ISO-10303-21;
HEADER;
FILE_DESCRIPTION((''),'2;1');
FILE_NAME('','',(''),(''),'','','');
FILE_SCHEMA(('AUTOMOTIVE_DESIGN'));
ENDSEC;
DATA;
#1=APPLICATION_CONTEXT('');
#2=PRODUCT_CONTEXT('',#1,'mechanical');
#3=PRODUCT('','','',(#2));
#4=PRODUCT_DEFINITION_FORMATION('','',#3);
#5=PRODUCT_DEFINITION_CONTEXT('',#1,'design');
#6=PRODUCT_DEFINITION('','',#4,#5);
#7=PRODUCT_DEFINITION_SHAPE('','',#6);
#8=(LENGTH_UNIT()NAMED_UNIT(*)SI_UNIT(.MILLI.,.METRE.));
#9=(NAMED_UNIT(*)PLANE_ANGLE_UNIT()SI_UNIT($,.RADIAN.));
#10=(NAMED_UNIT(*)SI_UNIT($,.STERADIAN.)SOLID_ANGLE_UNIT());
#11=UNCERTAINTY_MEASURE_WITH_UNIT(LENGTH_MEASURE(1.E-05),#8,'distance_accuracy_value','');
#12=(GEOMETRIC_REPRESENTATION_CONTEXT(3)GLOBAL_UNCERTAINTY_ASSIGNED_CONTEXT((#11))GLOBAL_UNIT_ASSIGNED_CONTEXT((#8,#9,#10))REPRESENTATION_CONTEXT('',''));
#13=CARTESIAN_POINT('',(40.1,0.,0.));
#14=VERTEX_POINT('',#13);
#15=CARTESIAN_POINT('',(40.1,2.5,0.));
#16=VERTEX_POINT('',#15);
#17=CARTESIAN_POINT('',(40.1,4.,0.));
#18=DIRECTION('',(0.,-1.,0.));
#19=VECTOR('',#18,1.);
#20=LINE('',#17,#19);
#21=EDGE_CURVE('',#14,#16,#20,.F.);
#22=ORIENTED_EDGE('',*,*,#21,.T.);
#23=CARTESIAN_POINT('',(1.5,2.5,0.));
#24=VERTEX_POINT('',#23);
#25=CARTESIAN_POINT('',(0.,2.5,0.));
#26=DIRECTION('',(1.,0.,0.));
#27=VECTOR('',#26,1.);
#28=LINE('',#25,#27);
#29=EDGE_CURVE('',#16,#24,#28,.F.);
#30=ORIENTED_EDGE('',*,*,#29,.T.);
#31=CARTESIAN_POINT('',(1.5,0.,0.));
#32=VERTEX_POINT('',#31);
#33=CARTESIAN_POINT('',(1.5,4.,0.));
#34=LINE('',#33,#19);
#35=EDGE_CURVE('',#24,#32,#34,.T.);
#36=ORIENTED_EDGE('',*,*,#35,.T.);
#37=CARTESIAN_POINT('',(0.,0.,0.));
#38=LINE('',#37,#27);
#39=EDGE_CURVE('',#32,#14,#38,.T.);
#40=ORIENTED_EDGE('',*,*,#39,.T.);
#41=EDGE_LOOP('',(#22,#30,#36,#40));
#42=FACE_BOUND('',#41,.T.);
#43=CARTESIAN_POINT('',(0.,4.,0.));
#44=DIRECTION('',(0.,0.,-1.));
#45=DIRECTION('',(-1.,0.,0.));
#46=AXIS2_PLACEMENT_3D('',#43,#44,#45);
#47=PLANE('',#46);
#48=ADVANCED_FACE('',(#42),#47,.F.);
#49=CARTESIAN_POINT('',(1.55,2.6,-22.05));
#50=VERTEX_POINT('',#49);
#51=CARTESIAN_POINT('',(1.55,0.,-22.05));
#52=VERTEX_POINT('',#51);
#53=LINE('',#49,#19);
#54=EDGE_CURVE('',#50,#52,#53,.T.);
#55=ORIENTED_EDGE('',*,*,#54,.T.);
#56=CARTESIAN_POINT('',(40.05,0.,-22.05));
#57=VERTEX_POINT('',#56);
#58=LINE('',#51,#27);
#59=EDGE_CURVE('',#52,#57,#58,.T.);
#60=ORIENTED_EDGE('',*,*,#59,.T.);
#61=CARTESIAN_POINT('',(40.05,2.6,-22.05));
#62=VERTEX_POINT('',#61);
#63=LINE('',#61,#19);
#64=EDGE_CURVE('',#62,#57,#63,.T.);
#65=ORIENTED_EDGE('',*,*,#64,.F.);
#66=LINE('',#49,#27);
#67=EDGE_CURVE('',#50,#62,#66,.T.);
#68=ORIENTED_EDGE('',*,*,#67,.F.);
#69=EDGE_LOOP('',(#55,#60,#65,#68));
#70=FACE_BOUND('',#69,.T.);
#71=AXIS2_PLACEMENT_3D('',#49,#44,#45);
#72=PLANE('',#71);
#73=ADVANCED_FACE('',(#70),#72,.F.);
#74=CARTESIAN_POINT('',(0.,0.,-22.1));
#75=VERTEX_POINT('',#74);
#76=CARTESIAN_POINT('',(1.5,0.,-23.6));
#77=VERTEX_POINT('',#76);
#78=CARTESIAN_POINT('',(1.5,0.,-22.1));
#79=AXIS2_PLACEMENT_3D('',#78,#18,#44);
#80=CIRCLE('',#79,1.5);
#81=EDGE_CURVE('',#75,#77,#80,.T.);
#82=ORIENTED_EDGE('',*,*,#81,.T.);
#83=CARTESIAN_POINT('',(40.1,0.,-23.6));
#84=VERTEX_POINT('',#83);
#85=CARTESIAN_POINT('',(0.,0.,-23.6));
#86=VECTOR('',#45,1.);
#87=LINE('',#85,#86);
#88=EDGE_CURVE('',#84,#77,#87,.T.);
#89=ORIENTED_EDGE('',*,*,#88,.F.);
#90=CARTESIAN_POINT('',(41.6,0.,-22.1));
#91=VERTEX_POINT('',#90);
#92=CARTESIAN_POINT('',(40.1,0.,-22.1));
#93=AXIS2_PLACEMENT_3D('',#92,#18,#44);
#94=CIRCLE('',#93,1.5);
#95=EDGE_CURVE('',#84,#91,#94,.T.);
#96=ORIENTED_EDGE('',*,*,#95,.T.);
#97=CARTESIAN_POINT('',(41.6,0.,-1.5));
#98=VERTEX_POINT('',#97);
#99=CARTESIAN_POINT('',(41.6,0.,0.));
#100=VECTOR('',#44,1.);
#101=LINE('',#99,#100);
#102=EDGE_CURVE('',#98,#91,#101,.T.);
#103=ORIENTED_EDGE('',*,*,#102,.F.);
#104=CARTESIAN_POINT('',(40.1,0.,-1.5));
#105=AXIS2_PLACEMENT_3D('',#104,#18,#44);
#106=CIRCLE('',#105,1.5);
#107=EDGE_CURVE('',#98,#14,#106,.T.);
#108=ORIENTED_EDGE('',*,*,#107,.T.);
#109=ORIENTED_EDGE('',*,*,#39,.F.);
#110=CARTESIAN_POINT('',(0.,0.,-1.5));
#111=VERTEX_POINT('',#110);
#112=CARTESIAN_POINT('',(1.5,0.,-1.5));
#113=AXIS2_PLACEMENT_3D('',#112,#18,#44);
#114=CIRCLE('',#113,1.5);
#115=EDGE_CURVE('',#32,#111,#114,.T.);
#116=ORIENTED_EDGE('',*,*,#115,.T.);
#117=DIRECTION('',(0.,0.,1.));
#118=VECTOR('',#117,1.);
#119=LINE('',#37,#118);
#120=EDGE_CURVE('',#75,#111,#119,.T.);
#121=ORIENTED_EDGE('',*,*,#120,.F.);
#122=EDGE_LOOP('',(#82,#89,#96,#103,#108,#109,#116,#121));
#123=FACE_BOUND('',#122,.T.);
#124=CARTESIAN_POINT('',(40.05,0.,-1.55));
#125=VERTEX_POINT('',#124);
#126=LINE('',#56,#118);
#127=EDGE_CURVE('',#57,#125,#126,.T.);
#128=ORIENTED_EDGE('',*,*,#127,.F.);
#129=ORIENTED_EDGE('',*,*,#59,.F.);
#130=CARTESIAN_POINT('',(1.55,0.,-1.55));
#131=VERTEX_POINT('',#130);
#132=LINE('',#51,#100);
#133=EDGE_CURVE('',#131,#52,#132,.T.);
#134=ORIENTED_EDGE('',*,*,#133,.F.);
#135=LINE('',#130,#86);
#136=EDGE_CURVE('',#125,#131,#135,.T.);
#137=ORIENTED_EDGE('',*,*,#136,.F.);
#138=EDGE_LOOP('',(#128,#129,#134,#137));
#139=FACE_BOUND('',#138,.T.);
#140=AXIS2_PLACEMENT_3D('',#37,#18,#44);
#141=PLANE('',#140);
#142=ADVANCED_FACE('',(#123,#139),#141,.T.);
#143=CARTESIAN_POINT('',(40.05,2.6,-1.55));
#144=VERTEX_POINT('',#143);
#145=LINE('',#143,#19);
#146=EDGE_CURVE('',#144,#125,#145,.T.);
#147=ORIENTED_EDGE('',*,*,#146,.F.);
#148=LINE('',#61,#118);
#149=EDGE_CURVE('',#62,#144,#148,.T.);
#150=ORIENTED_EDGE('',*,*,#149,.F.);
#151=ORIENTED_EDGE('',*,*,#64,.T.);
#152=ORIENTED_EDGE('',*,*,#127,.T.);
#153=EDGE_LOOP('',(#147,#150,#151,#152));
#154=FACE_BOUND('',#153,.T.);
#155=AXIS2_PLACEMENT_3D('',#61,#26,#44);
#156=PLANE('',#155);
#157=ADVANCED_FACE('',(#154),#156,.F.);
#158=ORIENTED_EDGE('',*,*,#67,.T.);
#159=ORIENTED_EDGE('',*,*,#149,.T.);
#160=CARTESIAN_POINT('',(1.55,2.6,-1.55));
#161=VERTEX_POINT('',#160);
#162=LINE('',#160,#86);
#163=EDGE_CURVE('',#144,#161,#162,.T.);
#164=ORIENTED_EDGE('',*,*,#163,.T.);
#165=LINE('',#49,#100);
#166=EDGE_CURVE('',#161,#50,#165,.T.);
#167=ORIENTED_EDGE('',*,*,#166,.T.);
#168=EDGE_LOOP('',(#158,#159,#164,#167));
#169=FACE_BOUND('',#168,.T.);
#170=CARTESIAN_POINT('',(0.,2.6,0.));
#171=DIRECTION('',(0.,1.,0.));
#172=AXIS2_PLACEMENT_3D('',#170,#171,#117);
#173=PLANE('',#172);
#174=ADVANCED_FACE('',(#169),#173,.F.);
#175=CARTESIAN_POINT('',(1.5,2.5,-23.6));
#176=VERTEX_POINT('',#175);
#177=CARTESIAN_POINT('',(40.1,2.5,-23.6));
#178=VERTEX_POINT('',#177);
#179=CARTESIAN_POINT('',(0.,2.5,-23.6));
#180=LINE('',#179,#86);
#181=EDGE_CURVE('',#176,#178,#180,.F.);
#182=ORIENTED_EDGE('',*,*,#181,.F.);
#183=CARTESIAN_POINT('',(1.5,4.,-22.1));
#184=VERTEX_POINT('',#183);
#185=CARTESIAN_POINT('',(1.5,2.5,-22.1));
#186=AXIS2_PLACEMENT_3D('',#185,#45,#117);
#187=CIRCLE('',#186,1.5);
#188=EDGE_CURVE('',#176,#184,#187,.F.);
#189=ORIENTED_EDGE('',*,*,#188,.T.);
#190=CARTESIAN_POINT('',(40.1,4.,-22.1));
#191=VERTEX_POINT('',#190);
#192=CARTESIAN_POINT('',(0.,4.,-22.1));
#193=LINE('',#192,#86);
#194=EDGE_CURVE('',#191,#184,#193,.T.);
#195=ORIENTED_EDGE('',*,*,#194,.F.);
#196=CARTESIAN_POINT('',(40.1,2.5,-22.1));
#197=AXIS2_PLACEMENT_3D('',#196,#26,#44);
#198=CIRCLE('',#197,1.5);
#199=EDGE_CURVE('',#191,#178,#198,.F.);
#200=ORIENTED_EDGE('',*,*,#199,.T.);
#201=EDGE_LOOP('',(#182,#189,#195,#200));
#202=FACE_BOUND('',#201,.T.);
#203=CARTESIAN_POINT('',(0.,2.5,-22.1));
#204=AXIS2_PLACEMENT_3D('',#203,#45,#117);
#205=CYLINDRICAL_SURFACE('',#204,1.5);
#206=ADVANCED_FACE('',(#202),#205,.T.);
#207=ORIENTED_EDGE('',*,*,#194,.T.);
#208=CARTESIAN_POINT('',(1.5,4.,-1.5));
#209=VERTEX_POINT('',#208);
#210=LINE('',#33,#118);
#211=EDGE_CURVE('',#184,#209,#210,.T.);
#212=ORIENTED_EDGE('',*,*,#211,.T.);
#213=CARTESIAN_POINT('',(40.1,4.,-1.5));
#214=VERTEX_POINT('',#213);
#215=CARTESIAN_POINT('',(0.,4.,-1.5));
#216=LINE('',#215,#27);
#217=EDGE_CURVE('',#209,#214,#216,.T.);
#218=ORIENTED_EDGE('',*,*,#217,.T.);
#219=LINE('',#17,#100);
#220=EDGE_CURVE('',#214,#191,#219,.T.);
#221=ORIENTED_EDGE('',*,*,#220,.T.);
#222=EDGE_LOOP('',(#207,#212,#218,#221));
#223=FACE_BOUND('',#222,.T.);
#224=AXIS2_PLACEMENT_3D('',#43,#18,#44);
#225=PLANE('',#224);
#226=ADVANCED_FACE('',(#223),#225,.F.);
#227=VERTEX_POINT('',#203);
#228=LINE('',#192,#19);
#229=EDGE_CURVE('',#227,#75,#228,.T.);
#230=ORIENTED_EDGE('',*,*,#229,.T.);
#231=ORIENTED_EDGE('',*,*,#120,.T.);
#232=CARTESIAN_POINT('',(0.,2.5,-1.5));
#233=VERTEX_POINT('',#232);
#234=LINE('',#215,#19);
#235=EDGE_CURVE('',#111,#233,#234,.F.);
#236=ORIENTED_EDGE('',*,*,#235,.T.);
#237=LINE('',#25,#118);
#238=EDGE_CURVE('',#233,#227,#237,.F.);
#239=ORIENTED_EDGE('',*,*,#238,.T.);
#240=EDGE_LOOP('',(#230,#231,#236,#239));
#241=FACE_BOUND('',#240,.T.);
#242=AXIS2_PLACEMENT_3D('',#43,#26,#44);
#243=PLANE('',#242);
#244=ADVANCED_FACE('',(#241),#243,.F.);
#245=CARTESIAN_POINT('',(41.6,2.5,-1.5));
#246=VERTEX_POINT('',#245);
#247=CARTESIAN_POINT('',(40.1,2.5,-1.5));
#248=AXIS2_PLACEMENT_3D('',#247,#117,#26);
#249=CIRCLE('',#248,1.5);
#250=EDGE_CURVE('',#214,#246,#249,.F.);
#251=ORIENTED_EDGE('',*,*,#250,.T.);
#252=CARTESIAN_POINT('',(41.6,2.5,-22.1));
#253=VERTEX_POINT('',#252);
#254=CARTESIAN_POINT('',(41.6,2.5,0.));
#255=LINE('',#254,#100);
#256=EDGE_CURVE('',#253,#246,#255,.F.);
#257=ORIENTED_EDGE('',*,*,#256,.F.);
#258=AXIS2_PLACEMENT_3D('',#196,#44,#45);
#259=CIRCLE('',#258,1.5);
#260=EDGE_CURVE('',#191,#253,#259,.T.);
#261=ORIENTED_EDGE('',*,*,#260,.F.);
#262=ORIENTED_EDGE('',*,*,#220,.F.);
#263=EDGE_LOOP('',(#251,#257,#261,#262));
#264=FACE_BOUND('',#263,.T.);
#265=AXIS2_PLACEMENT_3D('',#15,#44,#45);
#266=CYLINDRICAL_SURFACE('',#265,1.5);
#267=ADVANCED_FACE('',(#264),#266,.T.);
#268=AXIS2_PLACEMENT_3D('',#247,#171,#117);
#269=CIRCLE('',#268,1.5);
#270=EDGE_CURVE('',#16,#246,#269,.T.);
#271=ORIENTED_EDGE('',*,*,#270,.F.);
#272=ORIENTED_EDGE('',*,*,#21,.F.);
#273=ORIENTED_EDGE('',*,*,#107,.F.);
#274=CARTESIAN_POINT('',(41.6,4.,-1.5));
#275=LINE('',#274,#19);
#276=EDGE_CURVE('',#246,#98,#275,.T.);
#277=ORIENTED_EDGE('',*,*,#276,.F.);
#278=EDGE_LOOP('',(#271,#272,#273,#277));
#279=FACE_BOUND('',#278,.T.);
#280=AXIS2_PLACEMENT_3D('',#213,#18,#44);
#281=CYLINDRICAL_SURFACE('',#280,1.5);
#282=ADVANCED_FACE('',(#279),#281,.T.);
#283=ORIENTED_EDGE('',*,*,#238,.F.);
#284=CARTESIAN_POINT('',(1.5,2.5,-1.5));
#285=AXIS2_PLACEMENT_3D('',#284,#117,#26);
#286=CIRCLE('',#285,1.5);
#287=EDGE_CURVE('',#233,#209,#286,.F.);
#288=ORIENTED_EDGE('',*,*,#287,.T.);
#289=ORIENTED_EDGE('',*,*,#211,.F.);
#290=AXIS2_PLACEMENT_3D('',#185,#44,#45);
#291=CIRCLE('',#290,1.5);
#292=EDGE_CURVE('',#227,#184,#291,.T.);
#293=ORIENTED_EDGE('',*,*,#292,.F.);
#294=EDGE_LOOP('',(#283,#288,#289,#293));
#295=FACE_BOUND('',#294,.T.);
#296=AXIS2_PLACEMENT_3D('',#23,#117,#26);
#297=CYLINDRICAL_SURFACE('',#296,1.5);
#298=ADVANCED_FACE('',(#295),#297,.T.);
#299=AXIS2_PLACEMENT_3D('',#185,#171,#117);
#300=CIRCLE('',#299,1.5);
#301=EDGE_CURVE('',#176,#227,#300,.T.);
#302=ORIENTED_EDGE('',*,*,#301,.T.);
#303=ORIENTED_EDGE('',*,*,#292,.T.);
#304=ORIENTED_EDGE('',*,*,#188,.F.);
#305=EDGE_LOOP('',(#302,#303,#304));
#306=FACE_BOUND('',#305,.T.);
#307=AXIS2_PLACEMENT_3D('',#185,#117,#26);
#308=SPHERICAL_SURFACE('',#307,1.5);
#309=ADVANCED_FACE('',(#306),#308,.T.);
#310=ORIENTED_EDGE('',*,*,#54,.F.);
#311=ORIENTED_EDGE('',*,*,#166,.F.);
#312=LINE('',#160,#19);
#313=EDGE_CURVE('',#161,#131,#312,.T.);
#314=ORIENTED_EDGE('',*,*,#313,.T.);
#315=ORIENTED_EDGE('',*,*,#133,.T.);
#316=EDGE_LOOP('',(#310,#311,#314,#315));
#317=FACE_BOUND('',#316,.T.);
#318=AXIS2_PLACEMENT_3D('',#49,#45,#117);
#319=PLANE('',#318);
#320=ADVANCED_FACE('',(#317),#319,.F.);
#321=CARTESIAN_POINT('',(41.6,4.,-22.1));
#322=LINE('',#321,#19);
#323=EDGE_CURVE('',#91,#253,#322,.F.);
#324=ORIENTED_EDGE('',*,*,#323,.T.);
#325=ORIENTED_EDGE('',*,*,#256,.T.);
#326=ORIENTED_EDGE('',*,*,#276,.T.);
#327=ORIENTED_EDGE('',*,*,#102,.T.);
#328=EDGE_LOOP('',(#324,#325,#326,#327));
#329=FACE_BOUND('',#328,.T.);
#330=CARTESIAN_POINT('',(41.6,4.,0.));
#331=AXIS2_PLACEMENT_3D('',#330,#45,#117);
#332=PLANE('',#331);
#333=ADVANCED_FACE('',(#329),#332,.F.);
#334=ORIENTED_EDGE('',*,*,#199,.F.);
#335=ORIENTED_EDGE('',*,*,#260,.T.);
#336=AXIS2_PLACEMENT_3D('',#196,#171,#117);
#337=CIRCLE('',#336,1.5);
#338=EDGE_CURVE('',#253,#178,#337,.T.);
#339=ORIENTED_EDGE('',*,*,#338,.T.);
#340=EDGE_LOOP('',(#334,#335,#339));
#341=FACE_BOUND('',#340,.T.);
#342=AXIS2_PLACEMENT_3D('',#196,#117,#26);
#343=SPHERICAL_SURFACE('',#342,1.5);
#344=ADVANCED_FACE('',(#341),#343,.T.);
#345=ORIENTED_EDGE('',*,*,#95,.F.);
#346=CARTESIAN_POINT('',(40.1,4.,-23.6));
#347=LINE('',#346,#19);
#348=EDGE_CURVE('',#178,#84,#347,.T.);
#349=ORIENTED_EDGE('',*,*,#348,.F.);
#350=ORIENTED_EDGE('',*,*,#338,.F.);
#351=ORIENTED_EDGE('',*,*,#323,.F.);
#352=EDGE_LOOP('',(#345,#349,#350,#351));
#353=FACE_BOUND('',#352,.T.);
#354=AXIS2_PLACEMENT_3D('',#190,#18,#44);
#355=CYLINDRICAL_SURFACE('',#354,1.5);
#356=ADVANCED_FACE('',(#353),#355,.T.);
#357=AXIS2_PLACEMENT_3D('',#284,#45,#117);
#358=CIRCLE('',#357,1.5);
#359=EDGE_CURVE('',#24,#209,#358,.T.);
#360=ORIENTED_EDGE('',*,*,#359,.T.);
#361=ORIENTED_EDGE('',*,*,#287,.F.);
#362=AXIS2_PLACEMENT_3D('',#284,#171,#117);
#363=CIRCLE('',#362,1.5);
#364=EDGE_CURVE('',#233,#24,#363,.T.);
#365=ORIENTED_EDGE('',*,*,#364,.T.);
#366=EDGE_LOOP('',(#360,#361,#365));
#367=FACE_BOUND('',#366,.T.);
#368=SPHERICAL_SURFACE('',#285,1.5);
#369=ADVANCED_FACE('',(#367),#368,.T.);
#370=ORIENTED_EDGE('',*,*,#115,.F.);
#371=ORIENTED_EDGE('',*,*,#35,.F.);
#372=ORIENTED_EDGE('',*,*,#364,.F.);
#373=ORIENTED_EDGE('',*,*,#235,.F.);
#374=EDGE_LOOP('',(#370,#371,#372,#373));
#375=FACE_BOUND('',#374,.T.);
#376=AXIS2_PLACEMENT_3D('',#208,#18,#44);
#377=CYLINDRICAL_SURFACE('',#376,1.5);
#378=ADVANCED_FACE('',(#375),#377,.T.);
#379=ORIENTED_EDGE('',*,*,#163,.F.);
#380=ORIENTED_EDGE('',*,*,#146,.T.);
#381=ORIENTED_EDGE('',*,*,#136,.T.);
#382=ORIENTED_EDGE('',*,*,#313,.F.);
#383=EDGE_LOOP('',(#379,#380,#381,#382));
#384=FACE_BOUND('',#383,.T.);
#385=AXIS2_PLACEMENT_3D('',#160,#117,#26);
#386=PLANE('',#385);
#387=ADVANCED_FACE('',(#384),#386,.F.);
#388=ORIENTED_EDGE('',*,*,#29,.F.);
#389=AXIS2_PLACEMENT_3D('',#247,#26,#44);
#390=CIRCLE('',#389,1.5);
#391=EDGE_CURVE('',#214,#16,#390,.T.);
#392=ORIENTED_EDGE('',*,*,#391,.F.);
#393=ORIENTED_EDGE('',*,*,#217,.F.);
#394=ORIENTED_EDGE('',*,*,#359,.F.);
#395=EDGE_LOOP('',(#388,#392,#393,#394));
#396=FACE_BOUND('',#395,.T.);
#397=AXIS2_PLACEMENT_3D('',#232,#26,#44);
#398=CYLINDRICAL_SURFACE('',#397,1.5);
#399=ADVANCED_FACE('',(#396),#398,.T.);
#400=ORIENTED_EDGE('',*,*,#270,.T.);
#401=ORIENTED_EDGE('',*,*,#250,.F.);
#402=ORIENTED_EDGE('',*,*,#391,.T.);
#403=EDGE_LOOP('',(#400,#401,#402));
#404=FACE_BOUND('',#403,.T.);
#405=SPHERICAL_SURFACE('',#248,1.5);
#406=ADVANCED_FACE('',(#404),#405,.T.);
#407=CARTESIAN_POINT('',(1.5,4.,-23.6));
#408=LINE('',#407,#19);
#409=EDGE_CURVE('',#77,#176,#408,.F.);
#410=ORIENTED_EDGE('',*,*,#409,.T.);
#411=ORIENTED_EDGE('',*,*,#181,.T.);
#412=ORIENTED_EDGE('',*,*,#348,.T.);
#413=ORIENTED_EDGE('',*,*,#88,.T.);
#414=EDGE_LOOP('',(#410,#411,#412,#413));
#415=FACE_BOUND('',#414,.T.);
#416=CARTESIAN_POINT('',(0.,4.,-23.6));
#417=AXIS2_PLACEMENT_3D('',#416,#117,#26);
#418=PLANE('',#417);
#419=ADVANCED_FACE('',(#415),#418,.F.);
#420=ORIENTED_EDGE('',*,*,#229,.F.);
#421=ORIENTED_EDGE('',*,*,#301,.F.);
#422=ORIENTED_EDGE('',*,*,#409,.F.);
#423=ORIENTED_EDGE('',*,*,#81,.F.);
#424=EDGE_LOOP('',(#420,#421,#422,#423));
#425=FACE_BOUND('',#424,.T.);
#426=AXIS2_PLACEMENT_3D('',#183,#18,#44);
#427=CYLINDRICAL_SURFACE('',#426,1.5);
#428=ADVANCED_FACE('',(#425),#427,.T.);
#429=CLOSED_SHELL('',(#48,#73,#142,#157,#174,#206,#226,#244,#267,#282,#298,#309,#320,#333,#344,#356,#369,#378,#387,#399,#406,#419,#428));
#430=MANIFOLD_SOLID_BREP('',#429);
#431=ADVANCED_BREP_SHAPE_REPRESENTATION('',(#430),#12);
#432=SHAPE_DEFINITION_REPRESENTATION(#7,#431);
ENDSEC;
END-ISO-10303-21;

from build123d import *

# Parameters (mm, degrees)
SKETCH1_W           = 41.6
SKETCH1_H           = 23.6
BOSS_EXTRUDE1_DEPTH = 4
SKETCH2_W           = 38.5
SKETCH2_H           = 20.5
CUT_EXTRUDE1_DEPTH  = 2.6
FILLET1_R           = 1.5


with BuildPart() as part:
    # Sketch1 → Boss-Extrude1 (new body)
    with BuildSketch(Plane(origin=(0, 0, 0), x_dir=(1, 0, 0), z_dir=(0, 1, 0))):
        with Locations((20.8, 11.8)):
            Rectangle(SKETCH1_W, SKETCH1_H)
    extrude(amount=BOSS_EXTRUDE1_DEPTH)

    # Sketch2 → Cut-Extrude1 (cut)
    with BuildSketch(Plane.XZ):
        with Locations((20.8, -11.8)):
            Rectangle(SKETCH2_W, SKETCH2_H)
    extrude(amount=-CUT_EXTRUDE1_DEPTH, mode=Mode.SUBTRACT)

    # Fillet1
    fillet1_edges = [part.edges().sort_by_distance(p)[0] for p in [
        (41.6, 4, -11.8),
        (20.8, 4, -23.6),
        (0, 4, -11.8),
        (20.8, 4, 0),
        (0, 2, -23.6),
        (41.6, 2, -23.6),
        (41.6, 2, 0),
        (0, 2, 0),
    ]]
    fillet(fillet1_edges, radius=FILLET1_R)


solid = part.part
